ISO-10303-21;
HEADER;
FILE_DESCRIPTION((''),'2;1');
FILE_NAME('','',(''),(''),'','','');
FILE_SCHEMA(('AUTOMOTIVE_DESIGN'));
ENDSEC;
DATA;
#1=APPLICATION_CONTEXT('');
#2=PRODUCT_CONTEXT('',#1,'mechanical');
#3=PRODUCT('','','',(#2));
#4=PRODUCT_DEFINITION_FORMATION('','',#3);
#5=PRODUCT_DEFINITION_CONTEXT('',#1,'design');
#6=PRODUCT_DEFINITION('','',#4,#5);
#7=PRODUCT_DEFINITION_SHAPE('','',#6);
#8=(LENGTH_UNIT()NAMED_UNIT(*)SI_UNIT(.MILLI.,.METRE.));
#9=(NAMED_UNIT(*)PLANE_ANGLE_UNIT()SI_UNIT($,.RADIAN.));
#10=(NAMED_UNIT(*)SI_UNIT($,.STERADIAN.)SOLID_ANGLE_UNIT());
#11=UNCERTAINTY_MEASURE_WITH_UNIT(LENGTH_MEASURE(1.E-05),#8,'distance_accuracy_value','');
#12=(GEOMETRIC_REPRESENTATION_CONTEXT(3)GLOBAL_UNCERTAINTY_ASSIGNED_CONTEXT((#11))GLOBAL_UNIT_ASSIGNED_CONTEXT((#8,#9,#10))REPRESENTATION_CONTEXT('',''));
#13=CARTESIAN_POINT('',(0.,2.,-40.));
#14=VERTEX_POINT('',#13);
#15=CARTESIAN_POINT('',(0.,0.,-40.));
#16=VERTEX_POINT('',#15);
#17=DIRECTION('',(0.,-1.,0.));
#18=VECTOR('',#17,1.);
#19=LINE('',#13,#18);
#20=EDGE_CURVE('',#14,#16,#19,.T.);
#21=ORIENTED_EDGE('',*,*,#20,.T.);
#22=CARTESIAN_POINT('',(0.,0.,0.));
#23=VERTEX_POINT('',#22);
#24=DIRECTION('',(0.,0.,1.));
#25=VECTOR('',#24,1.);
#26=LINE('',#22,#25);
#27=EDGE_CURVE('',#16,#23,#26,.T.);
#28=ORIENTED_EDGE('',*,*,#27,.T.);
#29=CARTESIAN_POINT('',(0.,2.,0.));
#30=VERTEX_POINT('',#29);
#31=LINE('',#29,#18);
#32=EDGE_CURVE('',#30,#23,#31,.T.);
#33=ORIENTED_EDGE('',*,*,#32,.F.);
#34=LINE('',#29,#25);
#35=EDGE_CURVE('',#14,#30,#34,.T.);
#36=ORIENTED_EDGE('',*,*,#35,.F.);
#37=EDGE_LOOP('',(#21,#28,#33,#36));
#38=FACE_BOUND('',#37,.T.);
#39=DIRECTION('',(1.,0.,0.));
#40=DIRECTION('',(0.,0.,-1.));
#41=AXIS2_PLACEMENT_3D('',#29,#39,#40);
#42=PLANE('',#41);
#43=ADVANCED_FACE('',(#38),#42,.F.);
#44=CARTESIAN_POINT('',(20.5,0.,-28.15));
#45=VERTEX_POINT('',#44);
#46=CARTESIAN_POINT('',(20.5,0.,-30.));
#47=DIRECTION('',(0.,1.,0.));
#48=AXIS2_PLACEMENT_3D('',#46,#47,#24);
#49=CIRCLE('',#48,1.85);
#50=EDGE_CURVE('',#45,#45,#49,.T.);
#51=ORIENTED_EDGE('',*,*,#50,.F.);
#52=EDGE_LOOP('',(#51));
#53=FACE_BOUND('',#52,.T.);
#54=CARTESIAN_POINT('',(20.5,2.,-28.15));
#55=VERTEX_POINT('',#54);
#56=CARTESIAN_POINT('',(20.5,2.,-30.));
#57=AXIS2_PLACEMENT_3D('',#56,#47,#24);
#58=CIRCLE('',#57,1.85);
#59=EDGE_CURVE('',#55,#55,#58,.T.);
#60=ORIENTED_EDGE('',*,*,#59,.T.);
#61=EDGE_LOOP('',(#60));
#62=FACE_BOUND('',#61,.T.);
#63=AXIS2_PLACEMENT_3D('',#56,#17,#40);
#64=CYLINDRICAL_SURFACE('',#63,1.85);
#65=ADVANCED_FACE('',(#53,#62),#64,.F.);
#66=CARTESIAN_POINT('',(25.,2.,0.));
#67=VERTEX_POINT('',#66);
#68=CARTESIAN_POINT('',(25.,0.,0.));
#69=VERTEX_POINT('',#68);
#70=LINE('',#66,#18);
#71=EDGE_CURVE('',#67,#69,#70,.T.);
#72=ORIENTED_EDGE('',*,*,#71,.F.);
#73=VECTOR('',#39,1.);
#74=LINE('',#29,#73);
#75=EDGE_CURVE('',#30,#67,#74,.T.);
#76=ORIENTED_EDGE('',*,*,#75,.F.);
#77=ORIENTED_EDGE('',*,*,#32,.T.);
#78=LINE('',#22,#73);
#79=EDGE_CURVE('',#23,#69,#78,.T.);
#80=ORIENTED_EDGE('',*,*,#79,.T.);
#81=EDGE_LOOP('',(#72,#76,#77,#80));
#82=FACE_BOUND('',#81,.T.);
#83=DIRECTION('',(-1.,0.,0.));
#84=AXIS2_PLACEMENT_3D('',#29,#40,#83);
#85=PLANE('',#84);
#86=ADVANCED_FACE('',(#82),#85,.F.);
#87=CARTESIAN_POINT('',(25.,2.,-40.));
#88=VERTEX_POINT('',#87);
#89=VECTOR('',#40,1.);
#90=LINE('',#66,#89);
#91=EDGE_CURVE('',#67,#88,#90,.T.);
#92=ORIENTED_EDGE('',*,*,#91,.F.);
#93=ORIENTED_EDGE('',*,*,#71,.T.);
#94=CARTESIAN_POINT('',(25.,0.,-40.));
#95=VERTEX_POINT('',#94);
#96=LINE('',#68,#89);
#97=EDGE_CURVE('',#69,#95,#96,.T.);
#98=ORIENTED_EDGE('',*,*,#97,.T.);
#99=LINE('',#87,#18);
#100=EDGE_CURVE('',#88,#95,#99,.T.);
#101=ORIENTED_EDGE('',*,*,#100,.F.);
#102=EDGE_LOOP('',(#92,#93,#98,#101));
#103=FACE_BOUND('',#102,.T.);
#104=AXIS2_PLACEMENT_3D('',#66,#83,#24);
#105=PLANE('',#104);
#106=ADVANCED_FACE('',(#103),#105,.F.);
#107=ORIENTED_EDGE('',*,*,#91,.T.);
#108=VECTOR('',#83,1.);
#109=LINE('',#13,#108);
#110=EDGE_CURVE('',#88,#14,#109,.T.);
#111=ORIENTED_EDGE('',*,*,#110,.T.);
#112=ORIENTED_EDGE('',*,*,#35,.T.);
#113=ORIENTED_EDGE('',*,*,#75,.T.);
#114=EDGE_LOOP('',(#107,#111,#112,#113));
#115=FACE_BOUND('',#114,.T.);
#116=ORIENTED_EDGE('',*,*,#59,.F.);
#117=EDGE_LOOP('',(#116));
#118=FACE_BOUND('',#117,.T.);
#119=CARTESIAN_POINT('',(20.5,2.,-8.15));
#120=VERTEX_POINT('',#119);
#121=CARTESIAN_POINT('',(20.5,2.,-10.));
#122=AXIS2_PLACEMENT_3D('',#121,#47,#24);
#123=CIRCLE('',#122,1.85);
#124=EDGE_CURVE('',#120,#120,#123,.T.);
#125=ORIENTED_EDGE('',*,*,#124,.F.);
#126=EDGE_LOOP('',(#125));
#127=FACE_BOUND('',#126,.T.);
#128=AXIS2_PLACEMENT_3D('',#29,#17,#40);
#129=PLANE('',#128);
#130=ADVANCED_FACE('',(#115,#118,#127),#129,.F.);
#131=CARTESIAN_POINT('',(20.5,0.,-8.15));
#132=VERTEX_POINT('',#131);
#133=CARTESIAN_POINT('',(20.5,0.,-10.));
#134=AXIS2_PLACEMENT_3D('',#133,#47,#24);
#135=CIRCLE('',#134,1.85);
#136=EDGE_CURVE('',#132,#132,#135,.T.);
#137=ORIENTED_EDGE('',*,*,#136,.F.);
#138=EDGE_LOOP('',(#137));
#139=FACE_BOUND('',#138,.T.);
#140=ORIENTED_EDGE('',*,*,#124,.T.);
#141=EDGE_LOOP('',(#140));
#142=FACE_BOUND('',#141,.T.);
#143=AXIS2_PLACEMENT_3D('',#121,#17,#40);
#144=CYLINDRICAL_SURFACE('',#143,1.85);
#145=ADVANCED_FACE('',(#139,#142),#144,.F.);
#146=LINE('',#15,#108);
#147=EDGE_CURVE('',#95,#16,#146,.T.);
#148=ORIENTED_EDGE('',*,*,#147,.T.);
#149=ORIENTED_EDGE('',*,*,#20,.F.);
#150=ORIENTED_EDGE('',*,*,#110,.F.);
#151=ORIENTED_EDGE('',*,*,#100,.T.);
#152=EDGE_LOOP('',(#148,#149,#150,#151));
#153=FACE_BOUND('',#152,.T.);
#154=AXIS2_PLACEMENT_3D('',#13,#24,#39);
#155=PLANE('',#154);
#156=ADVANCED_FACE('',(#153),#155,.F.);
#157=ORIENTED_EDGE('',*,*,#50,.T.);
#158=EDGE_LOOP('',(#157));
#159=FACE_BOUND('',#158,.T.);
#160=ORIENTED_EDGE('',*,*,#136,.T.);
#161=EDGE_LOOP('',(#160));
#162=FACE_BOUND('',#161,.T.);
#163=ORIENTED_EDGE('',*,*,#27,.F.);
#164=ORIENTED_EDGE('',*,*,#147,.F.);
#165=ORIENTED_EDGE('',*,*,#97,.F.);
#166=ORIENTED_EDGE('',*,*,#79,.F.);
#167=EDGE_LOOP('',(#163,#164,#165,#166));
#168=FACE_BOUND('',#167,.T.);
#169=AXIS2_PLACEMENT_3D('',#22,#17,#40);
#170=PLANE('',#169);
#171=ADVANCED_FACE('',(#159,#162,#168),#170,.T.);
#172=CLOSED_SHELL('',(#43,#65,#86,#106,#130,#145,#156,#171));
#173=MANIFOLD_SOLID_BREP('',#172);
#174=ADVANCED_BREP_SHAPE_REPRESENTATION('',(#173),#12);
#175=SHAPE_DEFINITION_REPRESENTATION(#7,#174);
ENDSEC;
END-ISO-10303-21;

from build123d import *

# Parameters (mm, degrees)
SKETCH1_W           = 25
SKETCH1_H           = 40
SKETCH1_R           = 1.85
BOSS_EXTRUDE1_DEPTH = 2


with BuildPart() as part:
    # Sketch1 → Boss-Extrude1 (new body)
    with BuildSketch(Plane(origin=(0, 0, 0), x_dir=(1, 0, 0), z_dir=(0, 1, 0))):
        with Locations((12.5, 20)):
            Rectangle(SKETCH1_W, SKETCH1_H)
        with Locations(Location((20.5, 30, 0), (0, 0, 270))):
            Circle(SKETCH1_R, mode=Mode.SUBTRACT)
        with Locations(Location((20.5, 10, 0), (0, 0, 270))):
            Circle(SKETCH1_R, mode=Mode.SUBTRACT)
    extrude(amount=BOSS_EXTRUDE1_DEPTH)


solid = part.part
